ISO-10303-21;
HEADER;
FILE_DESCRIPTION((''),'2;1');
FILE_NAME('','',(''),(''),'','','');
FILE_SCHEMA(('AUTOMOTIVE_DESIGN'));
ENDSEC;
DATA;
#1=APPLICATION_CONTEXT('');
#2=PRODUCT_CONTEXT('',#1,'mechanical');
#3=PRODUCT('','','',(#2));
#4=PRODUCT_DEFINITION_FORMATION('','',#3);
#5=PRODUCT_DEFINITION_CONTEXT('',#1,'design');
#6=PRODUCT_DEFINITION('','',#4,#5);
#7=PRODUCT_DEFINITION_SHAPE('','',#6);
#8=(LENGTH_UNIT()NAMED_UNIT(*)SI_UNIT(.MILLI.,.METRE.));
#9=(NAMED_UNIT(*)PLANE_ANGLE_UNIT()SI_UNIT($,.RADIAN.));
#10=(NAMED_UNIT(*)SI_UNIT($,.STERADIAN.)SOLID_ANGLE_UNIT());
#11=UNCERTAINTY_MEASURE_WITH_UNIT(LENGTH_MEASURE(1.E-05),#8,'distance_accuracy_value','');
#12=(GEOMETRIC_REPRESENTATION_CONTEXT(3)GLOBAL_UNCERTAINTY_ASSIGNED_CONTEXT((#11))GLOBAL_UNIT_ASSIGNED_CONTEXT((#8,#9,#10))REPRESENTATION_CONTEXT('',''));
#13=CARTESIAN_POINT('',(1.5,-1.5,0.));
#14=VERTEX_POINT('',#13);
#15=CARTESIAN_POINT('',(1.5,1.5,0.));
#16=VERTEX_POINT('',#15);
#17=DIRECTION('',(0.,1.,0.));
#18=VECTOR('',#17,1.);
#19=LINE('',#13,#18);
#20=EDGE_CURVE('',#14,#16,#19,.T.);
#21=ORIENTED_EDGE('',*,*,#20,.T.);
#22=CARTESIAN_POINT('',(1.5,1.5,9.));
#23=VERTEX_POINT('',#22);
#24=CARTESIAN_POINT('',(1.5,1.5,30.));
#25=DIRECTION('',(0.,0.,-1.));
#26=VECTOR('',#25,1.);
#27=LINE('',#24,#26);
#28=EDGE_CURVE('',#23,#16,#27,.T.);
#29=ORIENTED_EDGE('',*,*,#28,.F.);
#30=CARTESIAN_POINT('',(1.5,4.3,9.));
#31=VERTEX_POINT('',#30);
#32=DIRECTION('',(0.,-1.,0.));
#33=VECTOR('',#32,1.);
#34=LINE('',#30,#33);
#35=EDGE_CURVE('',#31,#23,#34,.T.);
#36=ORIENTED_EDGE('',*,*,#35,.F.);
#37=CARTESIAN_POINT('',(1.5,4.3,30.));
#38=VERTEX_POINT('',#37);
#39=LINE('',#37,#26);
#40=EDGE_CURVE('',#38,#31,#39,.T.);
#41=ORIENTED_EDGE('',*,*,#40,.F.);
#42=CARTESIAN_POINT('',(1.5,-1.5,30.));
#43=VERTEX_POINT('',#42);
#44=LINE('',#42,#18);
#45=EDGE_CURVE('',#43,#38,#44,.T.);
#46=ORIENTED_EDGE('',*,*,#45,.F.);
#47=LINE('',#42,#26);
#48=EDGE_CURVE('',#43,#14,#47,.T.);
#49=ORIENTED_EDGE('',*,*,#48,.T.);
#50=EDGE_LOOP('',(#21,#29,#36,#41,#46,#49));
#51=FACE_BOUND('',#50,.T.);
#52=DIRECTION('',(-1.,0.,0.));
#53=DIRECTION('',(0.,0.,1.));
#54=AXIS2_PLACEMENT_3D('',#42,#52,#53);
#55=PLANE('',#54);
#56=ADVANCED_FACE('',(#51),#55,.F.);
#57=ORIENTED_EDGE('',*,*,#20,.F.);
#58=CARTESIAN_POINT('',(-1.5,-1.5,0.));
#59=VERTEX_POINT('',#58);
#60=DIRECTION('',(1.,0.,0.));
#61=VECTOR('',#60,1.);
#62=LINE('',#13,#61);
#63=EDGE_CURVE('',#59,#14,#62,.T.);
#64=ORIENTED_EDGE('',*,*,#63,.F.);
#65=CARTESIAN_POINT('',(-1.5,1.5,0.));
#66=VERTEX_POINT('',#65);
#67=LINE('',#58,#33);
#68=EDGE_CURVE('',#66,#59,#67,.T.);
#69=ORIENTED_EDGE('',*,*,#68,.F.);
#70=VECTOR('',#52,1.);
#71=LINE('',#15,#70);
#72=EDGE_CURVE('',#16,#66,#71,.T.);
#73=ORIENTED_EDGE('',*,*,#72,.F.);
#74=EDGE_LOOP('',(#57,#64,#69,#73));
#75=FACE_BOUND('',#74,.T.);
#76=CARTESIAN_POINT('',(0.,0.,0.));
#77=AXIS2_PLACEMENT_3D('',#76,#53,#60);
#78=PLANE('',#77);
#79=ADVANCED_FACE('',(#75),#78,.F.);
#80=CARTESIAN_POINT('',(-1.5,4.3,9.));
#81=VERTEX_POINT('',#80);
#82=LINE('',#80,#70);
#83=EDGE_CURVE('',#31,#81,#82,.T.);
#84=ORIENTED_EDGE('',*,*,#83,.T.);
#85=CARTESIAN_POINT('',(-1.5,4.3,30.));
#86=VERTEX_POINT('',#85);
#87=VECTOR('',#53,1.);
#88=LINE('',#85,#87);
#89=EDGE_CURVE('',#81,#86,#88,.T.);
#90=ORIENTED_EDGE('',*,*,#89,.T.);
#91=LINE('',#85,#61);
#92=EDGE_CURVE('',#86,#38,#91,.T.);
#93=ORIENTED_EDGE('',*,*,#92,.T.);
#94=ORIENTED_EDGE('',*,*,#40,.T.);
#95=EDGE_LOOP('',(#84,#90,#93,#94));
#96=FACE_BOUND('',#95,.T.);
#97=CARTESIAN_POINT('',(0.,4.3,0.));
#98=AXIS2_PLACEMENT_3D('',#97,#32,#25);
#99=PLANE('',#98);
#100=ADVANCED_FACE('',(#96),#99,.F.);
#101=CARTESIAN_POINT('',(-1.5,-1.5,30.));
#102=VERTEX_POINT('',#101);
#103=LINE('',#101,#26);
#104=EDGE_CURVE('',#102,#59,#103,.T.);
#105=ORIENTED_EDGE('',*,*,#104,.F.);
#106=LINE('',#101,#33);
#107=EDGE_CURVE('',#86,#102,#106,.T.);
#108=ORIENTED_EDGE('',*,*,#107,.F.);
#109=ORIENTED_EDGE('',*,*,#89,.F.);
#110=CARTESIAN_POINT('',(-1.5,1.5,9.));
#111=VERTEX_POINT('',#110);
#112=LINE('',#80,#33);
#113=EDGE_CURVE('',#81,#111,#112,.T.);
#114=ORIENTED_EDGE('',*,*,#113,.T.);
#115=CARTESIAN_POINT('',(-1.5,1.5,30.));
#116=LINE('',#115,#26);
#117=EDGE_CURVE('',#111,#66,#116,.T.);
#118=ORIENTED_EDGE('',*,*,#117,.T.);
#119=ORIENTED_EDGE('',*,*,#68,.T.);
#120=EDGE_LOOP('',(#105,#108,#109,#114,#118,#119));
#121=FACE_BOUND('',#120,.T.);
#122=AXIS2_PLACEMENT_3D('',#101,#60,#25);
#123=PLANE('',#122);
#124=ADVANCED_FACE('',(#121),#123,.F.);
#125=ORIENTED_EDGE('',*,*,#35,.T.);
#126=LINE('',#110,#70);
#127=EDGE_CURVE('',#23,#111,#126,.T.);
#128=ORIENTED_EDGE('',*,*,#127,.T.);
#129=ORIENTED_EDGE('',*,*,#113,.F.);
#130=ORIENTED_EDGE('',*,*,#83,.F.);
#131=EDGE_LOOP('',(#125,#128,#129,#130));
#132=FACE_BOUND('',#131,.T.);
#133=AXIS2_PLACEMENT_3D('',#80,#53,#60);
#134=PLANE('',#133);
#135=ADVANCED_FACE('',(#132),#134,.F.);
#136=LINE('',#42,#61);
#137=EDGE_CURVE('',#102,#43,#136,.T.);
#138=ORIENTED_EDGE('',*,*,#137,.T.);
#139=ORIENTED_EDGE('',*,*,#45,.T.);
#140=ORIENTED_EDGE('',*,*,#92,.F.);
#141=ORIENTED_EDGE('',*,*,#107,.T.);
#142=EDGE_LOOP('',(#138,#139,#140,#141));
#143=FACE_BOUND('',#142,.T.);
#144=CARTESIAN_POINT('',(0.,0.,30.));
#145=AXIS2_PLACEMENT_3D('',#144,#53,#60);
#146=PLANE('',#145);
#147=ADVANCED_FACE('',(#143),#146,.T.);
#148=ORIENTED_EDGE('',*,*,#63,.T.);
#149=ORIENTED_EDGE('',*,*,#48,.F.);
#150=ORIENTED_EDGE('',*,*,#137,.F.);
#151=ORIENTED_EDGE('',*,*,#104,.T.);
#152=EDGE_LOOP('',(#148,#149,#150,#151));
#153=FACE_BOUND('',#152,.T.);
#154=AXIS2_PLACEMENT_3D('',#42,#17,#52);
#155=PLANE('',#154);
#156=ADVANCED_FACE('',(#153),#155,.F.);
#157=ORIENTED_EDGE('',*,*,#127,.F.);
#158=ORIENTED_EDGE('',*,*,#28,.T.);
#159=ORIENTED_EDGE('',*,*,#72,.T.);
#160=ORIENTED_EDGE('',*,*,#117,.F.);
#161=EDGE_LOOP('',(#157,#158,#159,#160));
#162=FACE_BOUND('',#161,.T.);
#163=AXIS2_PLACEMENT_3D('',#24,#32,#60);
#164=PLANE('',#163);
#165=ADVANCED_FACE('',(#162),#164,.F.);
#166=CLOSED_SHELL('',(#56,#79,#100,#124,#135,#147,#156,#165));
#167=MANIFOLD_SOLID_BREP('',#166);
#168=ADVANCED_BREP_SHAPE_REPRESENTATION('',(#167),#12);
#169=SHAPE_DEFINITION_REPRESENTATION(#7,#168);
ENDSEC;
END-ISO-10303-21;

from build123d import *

# Parameters (mm, degrees)
SKETCH_1_W      = 3
SKETCH_1_H      = 3
EXTRUDE_1_DEPTH = 30
SKETCH_2_W      = 3
SKETCH_2_H      = 21
EXTRUDE_2_DEPTH = 2.8


with BuildPart() as part:
    # ｽｹｯﾁ1 → ﾎﾞｽ - 押し出し1 (new body)
    with BuildSketch(Plane.XY):
        Rectangle(SKETCH_1_W, SKETCH_1_H)
    extrude(amount=EXTRUDE_1_DEPTH)

    # ｽｹｯﾁ2 → ﾎﾞｽ - 押し出し2 (add)
    with BuildSketch(Plane(origin=(0, 1.5, 0), x_dir=(1, 0, 0), z_dir=(0, 1, 0))):
        with Locations((0, -19.5)):
            Rectangle(SKETCH_2_W, SKETCH_2_H)
    extrude(amount=EXTRUDE_2_DEPTH)


solid = part.part
